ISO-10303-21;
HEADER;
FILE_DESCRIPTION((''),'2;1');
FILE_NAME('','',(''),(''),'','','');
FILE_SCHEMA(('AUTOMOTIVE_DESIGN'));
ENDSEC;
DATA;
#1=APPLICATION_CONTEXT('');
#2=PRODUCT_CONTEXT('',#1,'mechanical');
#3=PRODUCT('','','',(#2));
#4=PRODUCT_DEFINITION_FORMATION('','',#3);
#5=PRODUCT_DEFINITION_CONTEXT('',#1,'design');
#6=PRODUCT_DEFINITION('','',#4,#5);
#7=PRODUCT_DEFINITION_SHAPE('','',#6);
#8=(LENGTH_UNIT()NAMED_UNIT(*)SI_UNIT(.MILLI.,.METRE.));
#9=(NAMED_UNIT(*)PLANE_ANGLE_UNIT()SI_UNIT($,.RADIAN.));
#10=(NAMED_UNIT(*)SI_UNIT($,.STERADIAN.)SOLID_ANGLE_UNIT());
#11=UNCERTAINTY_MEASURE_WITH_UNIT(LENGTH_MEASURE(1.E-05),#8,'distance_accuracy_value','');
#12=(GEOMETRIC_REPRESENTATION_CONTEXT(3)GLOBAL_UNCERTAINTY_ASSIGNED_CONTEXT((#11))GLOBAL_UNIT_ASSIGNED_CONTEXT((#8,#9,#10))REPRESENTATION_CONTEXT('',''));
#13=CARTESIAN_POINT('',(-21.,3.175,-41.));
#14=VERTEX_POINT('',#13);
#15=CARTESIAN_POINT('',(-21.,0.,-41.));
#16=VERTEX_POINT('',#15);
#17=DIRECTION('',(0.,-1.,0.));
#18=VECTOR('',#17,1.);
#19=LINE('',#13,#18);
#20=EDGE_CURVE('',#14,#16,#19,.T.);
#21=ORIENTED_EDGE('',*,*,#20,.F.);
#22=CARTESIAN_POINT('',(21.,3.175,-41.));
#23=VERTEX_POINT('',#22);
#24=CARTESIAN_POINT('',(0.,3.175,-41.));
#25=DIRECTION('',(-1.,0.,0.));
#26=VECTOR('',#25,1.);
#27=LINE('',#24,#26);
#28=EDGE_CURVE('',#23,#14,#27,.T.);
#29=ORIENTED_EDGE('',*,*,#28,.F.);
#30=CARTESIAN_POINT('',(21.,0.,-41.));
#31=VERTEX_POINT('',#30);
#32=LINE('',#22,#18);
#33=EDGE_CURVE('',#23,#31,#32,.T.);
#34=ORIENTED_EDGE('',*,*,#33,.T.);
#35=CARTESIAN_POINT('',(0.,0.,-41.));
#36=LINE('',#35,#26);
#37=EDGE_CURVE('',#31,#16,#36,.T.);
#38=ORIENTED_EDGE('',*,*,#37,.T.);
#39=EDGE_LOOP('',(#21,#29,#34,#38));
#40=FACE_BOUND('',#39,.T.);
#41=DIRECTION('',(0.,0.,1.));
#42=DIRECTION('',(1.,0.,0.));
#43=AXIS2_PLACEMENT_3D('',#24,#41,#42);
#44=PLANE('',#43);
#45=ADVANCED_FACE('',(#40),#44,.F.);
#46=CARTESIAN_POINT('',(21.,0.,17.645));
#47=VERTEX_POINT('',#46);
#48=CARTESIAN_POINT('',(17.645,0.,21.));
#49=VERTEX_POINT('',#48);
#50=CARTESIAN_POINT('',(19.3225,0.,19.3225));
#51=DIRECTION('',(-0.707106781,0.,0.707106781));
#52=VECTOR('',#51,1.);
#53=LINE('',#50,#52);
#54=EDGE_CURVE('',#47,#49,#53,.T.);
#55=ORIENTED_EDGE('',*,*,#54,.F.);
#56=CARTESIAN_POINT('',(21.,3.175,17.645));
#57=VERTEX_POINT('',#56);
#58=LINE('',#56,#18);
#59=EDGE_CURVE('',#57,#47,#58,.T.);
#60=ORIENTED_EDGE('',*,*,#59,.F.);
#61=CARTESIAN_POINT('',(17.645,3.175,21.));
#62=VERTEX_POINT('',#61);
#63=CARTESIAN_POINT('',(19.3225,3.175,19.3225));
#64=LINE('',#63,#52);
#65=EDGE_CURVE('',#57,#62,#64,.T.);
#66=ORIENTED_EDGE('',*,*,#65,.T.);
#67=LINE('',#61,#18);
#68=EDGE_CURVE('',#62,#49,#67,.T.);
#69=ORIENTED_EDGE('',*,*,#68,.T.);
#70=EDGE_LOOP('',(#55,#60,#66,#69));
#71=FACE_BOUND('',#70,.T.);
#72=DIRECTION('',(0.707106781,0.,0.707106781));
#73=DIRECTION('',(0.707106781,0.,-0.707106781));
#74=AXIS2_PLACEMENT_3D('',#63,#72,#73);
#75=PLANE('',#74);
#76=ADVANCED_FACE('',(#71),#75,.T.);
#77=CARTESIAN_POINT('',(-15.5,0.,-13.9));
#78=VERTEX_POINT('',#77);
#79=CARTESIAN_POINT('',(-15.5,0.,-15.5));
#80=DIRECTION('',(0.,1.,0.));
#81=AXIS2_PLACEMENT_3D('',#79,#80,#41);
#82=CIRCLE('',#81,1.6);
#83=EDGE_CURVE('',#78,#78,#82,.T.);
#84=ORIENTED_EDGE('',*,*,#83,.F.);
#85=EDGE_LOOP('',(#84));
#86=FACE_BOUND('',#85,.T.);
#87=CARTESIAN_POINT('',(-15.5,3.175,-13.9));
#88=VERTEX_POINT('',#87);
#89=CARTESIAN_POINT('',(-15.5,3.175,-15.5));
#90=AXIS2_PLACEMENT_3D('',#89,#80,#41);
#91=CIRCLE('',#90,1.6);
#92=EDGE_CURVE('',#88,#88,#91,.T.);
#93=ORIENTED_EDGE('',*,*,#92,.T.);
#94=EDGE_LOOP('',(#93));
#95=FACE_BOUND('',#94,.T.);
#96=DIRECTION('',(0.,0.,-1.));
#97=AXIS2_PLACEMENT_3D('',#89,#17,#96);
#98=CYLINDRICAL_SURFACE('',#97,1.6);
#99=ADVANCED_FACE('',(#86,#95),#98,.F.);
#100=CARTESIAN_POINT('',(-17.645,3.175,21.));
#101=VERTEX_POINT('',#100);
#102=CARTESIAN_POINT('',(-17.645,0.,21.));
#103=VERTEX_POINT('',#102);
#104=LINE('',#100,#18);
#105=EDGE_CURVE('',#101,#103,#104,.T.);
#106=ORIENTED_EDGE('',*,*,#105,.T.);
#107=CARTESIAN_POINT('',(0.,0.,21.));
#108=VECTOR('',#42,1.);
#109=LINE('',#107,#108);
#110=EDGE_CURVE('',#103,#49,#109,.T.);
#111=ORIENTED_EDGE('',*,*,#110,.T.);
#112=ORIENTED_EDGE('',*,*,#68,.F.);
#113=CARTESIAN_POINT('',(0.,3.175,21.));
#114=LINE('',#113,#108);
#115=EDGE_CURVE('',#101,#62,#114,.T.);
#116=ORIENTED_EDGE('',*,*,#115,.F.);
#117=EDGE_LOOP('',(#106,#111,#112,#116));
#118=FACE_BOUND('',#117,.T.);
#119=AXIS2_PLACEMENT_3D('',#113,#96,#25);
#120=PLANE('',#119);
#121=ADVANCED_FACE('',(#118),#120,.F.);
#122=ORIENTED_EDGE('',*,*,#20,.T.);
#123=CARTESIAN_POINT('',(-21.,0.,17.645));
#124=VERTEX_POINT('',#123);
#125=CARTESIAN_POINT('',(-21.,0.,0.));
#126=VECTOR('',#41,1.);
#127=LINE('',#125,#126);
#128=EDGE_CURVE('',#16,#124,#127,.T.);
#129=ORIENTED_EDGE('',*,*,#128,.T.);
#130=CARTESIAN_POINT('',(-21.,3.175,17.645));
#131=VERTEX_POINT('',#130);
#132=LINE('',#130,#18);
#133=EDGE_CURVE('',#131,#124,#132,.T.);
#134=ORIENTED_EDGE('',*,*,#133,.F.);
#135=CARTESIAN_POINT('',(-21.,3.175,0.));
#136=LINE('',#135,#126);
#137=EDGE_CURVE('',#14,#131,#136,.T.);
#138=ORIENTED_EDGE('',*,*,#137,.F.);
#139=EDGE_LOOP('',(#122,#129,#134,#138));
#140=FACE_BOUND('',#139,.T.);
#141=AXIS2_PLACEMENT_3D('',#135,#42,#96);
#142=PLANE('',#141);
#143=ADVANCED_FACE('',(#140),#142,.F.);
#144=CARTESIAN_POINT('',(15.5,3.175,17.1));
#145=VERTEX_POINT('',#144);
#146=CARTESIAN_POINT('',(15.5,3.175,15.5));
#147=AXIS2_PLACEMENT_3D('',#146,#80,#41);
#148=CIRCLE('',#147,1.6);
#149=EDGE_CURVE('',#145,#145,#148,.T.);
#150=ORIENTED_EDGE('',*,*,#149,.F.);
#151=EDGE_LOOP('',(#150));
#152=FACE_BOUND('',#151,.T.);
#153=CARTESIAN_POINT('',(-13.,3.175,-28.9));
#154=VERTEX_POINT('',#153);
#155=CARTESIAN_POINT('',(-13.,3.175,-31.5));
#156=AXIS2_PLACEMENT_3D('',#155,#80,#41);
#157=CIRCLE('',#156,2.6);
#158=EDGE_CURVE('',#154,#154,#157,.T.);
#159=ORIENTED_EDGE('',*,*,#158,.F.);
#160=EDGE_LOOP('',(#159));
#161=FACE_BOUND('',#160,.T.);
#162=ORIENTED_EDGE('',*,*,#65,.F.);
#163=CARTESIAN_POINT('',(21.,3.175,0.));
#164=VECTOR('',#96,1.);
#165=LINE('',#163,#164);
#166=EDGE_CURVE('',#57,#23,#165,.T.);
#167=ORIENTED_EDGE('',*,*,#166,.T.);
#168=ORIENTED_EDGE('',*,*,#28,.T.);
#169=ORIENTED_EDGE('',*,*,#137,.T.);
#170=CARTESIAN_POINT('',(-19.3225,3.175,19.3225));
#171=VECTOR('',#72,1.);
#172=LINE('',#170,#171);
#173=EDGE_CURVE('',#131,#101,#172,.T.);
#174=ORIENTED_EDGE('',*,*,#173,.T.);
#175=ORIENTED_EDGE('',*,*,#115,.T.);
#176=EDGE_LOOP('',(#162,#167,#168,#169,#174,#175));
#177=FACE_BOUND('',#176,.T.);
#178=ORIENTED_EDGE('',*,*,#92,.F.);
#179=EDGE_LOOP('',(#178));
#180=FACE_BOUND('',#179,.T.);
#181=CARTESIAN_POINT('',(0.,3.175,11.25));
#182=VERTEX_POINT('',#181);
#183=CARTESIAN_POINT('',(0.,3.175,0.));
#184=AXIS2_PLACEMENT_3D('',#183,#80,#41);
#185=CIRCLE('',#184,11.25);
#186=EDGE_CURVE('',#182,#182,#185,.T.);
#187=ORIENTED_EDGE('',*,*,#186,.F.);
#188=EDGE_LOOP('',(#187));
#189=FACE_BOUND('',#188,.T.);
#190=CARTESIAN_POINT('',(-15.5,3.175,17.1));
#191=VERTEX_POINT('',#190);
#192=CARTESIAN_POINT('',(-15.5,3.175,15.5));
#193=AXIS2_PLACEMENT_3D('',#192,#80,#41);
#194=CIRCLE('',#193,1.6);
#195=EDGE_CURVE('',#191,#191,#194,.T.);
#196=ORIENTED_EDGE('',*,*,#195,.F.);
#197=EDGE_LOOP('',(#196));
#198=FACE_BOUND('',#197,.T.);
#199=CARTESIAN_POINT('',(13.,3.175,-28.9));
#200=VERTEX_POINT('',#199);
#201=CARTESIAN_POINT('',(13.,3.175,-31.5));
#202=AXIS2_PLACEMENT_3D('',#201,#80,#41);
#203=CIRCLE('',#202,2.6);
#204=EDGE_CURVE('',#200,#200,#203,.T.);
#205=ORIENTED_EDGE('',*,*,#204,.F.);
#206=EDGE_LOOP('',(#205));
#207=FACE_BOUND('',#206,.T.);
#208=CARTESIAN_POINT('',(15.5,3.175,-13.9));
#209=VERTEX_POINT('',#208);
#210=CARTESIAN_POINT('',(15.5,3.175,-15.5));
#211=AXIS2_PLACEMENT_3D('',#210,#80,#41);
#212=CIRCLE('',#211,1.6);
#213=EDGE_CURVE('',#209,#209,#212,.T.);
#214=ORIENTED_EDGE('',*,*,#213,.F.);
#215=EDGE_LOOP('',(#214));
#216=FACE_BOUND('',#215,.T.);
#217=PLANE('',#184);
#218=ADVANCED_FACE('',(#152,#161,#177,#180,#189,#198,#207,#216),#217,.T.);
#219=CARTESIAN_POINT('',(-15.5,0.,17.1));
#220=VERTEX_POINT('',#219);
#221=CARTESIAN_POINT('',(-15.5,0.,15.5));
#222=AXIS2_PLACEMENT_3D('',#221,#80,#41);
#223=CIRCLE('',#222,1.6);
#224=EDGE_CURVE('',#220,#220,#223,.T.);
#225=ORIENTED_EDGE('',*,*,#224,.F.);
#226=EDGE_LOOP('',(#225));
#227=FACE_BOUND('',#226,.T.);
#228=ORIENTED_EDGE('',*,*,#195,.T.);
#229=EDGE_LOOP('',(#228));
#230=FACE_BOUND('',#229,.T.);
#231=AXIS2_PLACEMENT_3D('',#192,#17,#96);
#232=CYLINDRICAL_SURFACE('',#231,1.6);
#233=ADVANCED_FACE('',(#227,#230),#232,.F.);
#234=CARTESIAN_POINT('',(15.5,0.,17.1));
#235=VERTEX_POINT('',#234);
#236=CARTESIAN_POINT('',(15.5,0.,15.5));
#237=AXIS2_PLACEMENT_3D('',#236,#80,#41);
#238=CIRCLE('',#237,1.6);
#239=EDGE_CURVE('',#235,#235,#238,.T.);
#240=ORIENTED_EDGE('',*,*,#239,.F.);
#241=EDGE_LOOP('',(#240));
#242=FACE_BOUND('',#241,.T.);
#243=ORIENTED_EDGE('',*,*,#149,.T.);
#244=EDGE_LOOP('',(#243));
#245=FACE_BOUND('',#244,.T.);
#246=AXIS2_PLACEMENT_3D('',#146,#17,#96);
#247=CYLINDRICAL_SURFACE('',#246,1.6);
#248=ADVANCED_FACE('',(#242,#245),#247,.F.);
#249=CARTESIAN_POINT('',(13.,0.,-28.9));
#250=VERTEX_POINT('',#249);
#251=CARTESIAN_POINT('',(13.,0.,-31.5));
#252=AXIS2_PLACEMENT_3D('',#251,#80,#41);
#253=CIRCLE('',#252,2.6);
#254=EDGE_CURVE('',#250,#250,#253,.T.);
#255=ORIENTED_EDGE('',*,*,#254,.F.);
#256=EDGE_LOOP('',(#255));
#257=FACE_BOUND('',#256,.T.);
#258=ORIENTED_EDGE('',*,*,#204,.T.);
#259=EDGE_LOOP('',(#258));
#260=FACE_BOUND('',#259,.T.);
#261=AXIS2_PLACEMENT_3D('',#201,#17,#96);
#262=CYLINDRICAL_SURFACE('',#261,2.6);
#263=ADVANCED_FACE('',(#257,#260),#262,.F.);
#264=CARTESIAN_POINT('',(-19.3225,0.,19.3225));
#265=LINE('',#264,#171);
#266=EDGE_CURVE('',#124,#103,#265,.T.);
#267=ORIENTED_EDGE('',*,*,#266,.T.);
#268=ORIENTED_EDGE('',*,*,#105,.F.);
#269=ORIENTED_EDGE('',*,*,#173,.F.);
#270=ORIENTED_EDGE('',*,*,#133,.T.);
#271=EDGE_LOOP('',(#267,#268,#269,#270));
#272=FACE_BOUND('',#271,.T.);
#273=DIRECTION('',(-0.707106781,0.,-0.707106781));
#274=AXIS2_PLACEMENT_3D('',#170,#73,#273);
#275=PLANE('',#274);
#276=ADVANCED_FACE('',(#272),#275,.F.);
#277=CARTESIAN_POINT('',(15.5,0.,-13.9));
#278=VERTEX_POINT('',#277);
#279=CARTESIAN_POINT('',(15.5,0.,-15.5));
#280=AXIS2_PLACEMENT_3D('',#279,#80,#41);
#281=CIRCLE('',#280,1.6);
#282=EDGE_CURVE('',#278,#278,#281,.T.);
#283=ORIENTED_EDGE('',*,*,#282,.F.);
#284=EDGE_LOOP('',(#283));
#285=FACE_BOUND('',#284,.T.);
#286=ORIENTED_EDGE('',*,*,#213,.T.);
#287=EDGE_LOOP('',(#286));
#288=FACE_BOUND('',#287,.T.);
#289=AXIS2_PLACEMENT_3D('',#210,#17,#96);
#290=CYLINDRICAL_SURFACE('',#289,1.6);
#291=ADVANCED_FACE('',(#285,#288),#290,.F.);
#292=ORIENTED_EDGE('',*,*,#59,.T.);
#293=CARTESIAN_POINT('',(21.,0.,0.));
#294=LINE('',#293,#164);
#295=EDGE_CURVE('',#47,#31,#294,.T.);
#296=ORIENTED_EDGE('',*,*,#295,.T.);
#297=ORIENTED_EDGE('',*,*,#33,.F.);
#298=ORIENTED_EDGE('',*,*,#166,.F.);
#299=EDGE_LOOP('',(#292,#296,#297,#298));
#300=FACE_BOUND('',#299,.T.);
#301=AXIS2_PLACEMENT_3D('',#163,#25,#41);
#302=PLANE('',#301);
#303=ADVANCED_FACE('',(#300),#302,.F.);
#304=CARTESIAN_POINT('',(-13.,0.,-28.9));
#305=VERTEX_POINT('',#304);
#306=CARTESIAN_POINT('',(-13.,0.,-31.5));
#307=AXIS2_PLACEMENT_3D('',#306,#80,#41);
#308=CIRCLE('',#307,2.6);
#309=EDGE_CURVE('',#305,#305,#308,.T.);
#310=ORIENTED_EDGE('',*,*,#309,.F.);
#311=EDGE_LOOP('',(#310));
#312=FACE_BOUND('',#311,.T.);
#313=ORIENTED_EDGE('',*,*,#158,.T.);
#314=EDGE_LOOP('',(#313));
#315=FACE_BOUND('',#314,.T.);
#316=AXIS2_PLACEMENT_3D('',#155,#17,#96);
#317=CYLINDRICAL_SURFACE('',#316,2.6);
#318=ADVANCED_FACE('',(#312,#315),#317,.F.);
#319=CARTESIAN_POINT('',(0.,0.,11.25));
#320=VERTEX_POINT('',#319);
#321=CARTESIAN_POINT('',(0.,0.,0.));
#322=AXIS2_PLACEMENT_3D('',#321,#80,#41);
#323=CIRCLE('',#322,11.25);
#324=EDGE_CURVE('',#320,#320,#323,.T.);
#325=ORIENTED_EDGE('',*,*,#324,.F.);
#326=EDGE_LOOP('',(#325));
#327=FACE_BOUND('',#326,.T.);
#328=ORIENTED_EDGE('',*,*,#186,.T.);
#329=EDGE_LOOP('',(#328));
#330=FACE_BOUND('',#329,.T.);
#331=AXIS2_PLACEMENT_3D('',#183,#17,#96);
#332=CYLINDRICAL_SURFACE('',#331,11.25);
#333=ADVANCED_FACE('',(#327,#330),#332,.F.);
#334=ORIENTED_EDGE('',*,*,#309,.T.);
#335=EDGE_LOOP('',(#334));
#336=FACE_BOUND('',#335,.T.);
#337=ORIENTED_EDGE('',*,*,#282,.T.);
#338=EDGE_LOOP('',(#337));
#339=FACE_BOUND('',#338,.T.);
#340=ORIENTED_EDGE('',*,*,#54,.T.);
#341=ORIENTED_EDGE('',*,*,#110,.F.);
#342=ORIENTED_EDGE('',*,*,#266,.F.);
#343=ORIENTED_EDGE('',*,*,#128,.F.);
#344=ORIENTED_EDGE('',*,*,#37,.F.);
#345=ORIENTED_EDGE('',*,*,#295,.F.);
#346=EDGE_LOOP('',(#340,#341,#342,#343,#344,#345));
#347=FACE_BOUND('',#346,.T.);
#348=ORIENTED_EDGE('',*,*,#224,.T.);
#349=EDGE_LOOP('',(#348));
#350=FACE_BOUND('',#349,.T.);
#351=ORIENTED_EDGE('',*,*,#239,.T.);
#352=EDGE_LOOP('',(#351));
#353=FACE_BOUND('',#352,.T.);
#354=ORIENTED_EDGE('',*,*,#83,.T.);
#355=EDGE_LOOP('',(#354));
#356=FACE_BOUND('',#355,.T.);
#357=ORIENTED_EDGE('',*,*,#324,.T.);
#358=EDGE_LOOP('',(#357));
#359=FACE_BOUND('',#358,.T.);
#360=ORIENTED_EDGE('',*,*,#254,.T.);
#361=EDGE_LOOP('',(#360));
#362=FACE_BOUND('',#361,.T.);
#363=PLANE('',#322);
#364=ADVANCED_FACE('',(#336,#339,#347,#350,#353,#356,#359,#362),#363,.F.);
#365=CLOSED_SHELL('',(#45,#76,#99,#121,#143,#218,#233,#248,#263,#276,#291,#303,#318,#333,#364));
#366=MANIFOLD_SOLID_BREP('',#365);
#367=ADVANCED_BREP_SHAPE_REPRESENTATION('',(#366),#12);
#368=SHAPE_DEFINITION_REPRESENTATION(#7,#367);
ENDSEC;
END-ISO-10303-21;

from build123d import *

# Parameters (mm, degrees)
SKETCH1_R           = 2.6
SKETCH1_R_2         = 1.6
SKETCH1_R_3         = 11.25
BOSS_EXTRUDE1_DEPTH = 3.175


with BuildPart() as part:
    # Sketch1 → Boss-Extrude1 (new body)
    with BuildSketch(Plane(origin=(0, 0, 0), x_dir=(1, 0, 0), z_dir=(0, 1, 0))):
        Polygon((21, 41), (-21, 41), (-21, 17.645), (-17.645, 21), (17.645, 21), (21, 17.645), align=None)
        with Locations((-13, 31.5)):
            Circle(SKETCH1_R, mode=Mode.SUBTRACT)
        with Locations((13, 31.5)):
            Circle(SKETCH1_R, mode=Mode.SUBTRACT)
        Polygon((-21, -17.645), (-21, 17.645), (-17.645, 21), (17.645, 21), (21, 17.645), (21, -17.645), (17.645, -21), (-17.645, -21), align=None)
        with Locations((15.5, -15.5)):
            Circle(SKETCH1_R_2, mode=Mode.SUBTRACT)
        with Locations((15.5, 15.5)):
            Circle(SKETCH1_R_2, mode=Mode.SUBTRACT)
        with Locations((-15.5, 15.5)):
            Circle(SKETCH1_R_2, mode=Mode.SUBTRACT)
        with Locations((-15.5, -15.5)):
            Circle(SKETCH1_R_2, mode=Mode.SUBTRACT)
        Circle(SKETCH1_R_3, mode=Mode.SUBTRACT)
    extrude(amount=BOSS_EXTRUDE1_DEPTH)


solid = part.part
